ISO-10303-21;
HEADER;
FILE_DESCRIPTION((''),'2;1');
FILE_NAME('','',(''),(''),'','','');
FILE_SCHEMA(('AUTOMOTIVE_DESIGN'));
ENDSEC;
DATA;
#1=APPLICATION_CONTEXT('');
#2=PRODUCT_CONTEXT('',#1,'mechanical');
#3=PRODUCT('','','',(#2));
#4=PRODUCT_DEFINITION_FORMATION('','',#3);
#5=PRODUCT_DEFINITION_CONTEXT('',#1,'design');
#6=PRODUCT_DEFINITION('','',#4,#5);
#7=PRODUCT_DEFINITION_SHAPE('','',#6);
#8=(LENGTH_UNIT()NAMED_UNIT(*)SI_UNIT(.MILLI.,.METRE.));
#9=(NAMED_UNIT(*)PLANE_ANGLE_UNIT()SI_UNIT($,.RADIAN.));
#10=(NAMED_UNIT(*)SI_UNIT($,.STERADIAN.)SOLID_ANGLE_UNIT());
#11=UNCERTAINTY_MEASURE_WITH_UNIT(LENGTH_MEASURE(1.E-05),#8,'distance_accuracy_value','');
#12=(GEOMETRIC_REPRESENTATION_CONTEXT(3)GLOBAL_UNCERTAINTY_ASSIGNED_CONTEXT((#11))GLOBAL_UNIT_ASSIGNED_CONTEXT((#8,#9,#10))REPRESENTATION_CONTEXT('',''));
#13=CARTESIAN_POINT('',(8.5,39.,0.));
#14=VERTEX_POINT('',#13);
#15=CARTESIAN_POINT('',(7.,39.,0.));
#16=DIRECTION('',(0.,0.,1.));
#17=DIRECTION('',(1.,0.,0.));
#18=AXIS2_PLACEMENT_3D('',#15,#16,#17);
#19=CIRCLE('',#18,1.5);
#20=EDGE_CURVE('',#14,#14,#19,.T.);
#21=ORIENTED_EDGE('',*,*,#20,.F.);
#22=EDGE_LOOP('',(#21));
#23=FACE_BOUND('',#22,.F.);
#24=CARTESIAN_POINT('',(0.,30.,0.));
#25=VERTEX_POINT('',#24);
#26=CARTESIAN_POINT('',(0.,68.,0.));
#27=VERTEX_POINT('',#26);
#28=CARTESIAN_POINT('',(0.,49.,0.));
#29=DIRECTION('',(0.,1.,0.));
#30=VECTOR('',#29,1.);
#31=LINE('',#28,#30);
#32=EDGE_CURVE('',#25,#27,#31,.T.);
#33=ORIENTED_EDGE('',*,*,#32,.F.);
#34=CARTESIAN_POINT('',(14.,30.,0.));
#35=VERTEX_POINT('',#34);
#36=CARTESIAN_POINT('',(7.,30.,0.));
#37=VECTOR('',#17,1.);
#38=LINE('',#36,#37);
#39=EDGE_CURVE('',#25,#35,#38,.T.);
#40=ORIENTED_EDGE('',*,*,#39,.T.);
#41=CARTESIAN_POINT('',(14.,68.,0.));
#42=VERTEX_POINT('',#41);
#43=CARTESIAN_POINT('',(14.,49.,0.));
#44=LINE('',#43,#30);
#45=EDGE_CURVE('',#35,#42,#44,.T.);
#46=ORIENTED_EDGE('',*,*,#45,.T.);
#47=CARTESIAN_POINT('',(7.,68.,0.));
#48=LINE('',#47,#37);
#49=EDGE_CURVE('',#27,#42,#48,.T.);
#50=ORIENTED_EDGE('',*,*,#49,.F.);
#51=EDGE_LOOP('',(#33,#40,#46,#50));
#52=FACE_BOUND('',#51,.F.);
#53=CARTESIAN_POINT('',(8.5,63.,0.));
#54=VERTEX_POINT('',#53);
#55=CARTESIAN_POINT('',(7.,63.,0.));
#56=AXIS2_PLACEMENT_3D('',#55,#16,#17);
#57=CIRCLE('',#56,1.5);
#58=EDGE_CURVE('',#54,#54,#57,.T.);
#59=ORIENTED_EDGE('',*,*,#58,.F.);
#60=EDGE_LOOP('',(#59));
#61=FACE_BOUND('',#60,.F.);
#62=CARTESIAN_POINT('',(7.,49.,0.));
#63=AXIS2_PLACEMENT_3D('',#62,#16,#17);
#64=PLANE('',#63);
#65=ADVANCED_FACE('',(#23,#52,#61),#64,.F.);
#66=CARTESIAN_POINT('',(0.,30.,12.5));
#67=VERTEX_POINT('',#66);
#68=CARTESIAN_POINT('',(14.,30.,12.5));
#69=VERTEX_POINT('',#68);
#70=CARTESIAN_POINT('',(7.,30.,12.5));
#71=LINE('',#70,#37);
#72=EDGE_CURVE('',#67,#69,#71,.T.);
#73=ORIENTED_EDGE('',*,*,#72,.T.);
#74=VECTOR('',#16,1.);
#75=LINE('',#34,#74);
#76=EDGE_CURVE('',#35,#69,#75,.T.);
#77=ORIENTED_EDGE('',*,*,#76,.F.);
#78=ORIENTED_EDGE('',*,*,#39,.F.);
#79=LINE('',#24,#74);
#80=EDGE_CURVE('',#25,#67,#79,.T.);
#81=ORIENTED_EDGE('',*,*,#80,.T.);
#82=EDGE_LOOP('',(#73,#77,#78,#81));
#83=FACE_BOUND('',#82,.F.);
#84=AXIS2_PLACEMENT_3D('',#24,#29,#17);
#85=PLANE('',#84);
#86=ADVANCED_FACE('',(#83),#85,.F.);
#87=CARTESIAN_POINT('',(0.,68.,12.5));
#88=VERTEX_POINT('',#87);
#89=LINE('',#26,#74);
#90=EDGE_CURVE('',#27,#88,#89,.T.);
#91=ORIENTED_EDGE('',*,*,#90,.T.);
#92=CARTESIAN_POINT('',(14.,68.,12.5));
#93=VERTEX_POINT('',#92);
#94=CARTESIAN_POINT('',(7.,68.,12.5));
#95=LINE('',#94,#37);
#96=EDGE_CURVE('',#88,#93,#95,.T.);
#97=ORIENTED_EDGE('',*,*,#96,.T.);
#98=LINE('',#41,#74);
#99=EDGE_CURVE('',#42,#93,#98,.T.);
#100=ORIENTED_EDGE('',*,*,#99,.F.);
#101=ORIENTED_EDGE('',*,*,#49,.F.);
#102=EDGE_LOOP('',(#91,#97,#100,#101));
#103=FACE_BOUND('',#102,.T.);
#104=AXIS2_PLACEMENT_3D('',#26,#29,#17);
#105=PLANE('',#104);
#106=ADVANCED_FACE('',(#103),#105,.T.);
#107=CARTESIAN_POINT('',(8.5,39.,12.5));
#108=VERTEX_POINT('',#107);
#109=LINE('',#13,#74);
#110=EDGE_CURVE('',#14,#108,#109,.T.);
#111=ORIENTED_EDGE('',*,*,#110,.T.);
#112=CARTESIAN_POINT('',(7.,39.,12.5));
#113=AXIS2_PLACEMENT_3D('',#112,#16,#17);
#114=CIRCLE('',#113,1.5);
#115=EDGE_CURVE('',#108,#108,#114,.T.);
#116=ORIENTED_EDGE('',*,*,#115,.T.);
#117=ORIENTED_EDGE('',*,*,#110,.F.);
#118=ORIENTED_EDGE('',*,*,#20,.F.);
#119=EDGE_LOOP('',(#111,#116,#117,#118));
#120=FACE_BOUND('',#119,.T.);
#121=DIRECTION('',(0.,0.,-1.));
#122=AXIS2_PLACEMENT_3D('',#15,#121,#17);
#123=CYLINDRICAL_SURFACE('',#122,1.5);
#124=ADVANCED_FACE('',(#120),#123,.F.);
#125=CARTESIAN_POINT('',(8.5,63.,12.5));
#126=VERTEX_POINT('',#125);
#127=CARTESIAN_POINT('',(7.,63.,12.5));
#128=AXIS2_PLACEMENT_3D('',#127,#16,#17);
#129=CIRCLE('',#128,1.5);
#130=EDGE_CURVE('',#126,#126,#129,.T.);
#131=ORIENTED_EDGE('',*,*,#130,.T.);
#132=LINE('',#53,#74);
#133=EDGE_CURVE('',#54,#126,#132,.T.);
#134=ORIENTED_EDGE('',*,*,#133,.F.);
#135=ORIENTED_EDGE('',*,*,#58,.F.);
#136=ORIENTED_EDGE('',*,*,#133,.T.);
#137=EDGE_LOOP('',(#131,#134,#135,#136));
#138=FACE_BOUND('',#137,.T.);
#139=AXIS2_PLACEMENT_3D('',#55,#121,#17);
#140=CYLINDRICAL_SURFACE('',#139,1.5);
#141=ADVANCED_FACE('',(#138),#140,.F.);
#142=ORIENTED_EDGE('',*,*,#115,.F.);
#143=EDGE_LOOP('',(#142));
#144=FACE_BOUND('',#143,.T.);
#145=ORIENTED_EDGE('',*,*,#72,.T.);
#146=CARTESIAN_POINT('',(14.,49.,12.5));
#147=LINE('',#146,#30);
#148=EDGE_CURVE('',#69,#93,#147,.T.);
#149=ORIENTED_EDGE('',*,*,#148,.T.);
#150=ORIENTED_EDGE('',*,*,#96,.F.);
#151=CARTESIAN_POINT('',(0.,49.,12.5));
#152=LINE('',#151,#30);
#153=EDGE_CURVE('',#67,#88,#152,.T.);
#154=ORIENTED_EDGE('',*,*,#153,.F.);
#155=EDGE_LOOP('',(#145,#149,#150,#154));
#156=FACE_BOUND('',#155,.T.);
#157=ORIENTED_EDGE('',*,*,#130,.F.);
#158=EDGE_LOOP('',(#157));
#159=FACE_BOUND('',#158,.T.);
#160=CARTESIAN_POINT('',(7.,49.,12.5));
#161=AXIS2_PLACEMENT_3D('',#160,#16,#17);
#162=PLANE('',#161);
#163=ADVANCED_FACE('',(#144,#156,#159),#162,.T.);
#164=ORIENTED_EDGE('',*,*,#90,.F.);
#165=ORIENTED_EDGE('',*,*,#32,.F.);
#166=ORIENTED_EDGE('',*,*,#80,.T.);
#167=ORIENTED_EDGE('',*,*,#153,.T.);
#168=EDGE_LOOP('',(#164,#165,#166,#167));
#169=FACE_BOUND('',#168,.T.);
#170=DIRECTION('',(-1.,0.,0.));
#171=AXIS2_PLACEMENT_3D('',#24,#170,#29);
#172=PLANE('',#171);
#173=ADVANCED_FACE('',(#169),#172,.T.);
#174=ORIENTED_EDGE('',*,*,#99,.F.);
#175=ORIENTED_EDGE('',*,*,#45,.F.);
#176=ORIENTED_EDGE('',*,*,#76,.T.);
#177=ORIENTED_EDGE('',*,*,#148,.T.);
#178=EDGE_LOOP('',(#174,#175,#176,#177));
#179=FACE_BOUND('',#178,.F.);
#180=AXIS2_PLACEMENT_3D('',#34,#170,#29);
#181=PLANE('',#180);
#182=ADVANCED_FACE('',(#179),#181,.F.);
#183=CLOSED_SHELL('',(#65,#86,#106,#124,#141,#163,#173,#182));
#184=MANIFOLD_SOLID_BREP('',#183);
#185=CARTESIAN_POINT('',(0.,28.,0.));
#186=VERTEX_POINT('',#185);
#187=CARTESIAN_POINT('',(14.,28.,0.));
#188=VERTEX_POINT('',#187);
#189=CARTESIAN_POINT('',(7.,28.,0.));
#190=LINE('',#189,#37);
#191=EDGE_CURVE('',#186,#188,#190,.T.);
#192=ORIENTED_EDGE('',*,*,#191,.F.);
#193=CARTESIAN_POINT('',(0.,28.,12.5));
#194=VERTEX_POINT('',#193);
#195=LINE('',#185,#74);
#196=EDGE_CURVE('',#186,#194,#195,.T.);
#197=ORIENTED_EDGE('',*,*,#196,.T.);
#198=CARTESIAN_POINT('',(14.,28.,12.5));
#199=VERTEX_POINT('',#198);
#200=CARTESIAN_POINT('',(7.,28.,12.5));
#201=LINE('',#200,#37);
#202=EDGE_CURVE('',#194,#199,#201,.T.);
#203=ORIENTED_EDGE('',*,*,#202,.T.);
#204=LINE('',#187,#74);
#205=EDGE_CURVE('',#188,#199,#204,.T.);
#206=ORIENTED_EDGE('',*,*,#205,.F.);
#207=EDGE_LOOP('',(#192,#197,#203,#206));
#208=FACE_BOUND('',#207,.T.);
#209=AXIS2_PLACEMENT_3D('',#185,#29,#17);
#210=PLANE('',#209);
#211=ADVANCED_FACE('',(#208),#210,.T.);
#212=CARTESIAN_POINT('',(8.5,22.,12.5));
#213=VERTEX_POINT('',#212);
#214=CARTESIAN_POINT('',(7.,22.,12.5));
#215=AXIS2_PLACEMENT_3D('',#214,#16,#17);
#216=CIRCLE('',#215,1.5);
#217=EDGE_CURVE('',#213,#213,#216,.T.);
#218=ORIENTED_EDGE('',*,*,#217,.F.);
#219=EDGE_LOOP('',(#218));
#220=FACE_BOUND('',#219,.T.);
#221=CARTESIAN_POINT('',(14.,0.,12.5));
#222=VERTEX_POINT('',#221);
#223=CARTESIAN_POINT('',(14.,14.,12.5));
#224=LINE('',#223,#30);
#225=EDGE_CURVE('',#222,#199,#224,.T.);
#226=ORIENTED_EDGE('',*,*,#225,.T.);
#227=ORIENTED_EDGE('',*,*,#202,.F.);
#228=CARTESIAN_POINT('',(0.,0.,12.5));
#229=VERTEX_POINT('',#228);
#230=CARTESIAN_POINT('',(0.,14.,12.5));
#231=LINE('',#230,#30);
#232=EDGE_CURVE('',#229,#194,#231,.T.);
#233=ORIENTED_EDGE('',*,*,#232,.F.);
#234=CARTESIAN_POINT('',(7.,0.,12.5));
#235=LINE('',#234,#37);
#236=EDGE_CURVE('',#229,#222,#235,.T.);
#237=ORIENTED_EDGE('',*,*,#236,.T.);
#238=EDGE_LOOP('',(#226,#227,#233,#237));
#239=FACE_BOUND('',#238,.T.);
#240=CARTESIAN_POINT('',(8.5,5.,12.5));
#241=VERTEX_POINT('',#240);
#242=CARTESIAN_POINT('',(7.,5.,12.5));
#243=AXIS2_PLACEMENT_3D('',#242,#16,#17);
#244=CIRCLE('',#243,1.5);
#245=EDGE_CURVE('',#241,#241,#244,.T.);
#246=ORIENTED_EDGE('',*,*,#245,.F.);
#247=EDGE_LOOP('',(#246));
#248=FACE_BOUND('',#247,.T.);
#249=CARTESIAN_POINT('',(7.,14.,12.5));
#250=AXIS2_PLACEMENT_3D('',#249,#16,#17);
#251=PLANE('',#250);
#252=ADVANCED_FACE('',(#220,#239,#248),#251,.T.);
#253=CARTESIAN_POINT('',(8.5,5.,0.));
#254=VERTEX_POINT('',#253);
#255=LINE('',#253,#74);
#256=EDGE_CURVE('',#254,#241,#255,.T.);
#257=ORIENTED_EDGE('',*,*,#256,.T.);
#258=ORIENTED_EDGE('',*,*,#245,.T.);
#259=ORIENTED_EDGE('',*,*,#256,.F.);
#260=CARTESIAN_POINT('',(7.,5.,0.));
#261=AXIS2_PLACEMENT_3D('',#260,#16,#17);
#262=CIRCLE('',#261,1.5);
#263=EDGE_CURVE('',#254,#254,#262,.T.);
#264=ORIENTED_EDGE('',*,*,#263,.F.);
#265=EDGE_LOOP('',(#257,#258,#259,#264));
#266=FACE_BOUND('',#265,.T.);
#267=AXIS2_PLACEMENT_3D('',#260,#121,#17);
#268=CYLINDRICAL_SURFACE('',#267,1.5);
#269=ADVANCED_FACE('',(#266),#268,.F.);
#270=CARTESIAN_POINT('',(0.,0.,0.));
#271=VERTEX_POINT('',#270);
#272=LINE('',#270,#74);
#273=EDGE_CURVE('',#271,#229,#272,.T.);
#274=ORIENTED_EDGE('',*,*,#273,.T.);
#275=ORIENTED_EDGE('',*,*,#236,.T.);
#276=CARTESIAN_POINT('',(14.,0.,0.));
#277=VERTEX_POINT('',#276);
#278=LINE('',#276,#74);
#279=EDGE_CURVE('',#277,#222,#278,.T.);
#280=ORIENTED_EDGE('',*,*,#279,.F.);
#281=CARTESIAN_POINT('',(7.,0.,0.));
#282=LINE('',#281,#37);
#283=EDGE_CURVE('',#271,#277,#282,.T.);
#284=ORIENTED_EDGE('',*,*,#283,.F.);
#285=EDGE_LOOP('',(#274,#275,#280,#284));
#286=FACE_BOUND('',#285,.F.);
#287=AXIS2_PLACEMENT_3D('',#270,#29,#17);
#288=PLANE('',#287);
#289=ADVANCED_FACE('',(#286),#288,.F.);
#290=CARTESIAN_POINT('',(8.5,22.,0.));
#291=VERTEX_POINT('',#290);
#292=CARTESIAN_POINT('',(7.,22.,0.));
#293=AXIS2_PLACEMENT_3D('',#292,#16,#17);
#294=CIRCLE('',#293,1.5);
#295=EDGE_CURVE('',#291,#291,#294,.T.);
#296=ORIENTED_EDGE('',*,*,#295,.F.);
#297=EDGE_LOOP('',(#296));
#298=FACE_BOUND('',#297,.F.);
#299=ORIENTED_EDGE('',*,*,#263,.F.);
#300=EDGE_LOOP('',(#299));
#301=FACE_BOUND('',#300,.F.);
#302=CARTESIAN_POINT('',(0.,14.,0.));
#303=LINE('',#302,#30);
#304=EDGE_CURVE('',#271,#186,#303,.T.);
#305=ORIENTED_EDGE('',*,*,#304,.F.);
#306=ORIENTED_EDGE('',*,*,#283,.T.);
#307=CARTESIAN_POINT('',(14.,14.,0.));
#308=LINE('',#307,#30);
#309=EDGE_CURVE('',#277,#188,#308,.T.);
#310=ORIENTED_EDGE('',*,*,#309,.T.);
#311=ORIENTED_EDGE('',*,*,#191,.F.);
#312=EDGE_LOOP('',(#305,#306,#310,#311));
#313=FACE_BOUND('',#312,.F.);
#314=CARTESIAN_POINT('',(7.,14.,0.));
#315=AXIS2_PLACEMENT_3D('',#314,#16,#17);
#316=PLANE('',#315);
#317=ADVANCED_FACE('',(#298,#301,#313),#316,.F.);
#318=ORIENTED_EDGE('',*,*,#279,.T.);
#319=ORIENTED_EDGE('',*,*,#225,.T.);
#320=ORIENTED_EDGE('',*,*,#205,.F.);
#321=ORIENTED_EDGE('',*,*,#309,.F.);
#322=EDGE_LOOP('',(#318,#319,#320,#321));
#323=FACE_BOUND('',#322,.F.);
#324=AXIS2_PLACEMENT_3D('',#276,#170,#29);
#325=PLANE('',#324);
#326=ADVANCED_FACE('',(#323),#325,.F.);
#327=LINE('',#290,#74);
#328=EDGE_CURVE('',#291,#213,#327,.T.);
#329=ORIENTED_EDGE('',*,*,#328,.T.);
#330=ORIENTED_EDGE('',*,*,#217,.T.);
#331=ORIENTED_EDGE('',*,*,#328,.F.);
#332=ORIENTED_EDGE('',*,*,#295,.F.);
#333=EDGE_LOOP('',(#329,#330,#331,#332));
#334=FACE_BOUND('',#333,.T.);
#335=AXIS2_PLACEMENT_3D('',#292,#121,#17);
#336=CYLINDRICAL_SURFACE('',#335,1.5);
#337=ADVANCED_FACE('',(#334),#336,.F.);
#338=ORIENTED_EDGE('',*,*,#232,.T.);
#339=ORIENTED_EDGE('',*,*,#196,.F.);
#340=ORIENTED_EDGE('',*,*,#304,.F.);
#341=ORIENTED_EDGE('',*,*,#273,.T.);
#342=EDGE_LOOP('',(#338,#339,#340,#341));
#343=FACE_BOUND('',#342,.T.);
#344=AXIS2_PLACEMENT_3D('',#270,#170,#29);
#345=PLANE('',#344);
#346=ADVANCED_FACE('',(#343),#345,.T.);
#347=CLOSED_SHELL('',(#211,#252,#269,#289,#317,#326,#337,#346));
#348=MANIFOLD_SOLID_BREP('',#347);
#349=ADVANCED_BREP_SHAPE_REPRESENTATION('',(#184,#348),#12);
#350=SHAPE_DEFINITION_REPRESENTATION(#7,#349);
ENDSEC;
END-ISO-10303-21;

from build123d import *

# Parameters (mm, degrees)
F0_W     = 14
F0_H     = 28
F0_R     = 1.5
F0_H_2   = 38
F1_DEPTH = 12.5


with BuildPart() as f1:
    # F0 (on Top) → F1 (new body)
    with BuildSketch(Plane.XY):
        with Locations((7, 14)):
            Rectangle(F0_W, F0_H)
        with Locations((7, 5)):
            Circle(F0_R, mode=Mode.SUBTRACT)
        with Locations((7, 22)):
            Circle(F0_R, mode=Mode.SUBTRACT)
        with Locations((7, 49)):
            Rectangle(F0_W, F0_H_2)
        with Locations((7, 39)):
            Circle(F0_R, mode=Mode.SUBTRACT)
        with Locations((7, 63)):
            Circle(F0_R, mode=Mode.SUBTRACT)
    extrude(amount=F1_DEPTH)


solid = f1.part
